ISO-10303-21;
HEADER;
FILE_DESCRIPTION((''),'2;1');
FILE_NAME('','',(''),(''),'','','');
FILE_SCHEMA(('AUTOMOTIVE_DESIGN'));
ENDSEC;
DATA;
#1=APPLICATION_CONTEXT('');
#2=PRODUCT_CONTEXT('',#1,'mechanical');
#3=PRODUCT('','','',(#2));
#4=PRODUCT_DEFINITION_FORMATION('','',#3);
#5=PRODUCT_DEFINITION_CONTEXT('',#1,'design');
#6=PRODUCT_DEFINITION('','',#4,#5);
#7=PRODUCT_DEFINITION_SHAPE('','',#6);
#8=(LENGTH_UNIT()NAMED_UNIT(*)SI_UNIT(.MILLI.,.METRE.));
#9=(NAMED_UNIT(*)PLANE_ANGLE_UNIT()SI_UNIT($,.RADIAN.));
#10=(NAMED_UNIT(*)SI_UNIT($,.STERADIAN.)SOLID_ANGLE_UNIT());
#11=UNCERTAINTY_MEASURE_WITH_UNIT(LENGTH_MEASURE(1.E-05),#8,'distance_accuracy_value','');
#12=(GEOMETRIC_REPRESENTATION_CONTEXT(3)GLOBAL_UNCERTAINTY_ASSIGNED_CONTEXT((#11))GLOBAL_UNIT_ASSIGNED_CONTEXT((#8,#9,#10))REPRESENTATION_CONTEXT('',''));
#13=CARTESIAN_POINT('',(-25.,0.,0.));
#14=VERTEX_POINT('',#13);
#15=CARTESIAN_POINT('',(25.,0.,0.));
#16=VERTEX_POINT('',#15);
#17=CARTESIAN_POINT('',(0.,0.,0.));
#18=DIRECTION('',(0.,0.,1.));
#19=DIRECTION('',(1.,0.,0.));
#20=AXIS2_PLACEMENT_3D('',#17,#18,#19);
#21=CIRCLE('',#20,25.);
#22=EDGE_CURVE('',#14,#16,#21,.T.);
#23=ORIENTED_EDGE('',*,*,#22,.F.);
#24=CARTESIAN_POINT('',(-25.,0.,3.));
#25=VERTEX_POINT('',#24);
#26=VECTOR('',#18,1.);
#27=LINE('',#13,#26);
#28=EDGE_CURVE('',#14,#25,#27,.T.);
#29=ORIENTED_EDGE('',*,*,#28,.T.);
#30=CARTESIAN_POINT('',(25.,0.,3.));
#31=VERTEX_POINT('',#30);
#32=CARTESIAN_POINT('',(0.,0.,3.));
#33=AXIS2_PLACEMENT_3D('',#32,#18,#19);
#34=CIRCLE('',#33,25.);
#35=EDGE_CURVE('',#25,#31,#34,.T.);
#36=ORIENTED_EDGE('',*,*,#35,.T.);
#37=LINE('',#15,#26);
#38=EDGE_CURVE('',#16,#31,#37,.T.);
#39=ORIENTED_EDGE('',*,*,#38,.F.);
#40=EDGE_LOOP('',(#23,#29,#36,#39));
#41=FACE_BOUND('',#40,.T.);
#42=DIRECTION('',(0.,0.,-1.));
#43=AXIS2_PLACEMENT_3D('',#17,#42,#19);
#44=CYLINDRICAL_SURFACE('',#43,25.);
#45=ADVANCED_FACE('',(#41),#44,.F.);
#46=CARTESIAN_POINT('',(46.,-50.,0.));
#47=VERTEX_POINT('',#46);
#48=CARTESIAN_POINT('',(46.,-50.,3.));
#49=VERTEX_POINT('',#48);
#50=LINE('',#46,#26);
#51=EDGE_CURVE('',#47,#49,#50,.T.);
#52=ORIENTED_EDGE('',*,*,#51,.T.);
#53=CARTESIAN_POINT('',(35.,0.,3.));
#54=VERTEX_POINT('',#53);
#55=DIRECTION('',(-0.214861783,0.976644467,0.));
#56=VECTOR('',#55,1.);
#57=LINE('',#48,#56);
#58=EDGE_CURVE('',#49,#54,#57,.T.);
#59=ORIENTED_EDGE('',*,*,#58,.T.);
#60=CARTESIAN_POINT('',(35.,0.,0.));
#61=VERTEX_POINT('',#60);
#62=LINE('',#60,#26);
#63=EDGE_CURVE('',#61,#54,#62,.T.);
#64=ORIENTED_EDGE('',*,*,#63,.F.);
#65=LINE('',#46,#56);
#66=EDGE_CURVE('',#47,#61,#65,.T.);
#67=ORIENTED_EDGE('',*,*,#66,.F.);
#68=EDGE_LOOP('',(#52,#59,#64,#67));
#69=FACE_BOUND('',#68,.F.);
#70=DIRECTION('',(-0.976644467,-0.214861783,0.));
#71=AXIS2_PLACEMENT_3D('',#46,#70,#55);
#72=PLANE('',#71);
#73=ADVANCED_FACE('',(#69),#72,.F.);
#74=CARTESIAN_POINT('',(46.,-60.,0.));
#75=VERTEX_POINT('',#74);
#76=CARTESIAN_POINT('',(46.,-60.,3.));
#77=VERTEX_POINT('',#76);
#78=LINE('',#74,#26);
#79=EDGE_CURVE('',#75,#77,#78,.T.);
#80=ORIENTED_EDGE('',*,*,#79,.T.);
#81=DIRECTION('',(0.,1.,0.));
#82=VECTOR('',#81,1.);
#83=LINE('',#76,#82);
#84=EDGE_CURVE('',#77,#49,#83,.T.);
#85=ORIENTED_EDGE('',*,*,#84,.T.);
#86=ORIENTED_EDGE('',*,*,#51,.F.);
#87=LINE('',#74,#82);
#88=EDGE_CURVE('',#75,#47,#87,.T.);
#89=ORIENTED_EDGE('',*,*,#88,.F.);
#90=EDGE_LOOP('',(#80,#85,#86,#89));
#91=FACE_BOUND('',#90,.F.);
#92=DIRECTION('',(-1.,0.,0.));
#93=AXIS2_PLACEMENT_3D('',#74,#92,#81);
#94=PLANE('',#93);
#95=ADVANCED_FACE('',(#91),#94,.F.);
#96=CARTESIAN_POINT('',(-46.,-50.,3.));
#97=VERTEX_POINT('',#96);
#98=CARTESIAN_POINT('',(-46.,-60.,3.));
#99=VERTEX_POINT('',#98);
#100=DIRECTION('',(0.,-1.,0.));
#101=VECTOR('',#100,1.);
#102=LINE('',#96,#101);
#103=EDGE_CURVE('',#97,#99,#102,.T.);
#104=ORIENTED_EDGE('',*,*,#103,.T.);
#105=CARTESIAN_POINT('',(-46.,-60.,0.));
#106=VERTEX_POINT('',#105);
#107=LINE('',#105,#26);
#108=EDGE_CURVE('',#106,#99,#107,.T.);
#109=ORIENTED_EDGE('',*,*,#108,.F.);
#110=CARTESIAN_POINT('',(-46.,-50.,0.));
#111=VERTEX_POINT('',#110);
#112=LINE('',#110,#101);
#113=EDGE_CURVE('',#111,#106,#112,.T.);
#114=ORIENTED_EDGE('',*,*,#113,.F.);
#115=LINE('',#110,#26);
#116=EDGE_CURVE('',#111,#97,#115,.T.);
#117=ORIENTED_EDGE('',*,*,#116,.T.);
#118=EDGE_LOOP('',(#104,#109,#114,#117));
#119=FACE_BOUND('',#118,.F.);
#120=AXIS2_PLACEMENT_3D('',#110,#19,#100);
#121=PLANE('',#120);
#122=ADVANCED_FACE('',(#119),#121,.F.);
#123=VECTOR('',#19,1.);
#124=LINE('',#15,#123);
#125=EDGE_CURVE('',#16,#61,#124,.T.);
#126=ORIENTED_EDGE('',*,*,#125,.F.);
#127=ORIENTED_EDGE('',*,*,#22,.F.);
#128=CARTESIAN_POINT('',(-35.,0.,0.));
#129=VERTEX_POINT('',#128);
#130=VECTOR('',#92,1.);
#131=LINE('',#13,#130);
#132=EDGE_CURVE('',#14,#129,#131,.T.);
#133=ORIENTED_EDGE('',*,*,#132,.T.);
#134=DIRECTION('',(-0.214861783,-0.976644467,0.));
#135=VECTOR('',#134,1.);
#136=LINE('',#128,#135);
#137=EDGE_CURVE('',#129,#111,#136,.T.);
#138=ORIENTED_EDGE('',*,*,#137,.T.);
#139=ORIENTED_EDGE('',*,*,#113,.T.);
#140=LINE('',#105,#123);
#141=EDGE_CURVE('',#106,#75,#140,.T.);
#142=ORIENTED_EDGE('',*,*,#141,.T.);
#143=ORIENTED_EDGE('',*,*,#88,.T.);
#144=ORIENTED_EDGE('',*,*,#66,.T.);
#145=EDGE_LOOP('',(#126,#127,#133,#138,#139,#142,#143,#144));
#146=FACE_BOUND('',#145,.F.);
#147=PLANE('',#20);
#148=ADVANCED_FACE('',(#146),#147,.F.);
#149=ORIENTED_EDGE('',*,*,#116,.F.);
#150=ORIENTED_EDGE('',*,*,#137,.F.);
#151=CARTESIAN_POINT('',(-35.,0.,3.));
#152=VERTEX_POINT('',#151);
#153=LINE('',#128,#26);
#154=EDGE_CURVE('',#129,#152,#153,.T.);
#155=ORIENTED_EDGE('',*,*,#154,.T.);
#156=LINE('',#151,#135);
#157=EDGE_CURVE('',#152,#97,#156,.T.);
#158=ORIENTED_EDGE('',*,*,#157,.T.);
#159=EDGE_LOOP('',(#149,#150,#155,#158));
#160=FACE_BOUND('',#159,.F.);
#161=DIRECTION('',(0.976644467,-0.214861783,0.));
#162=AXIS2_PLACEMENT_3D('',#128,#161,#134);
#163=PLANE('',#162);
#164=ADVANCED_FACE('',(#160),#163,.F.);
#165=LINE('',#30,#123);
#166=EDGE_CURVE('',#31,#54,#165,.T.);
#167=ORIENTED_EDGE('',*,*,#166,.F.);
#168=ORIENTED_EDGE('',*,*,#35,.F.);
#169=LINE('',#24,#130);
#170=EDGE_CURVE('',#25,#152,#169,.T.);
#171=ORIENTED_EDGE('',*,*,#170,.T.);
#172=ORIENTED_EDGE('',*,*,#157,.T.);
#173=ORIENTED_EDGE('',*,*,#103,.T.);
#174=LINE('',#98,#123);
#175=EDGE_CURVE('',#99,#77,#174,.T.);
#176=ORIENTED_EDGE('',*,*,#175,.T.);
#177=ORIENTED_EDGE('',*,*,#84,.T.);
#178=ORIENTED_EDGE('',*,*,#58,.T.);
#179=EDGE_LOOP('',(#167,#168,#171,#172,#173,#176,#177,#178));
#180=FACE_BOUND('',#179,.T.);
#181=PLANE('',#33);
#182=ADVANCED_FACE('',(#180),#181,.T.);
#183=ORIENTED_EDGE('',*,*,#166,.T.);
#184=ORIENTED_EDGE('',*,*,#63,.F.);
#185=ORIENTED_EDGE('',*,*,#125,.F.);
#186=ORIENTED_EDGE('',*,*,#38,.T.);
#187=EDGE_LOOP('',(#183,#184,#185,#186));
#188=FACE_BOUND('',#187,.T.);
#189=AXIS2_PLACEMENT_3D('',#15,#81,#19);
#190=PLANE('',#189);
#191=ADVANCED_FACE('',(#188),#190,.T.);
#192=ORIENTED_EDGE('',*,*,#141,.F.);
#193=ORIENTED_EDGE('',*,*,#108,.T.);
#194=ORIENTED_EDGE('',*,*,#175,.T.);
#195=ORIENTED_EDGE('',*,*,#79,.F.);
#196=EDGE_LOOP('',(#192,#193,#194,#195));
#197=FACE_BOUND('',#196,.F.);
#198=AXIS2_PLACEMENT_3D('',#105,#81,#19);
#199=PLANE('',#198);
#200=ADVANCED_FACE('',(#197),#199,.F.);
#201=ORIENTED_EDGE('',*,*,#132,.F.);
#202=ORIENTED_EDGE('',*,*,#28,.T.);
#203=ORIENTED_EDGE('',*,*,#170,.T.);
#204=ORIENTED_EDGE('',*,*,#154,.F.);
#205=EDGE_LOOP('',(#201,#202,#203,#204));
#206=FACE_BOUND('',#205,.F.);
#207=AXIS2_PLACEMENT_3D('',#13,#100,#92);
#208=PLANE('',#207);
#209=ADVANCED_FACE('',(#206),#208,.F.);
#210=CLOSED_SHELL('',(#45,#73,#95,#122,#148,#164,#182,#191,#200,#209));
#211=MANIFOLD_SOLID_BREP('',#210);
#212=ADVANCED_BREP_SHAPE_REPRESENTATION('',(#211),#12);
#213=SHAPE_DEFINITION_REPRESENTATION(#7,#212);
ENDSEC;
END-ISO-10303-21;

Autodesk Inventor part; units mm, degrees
ref_plane "YZ Plane" through (0, 0, 0) normal (1, 0, 0) x (0, 1, 0)
ref_plane "XZ Plane" through (0, 0, 0) normal (0, 1, 0) x (-1, 0, 0)
ref_plane "XY Plane" through (0, 0, 0) normal (0, 0, 1) x (1, 0, 0)
sketch "Sketch1" plane through (0, 0, 0) normal (0, 0, 1) x (1, 0, 0)
  circle A0 centre (0, 0) radius 25
  line L0 (-25, 0) -> (-35, 0)
  line L1 (25, 0) -> (35, 0)
  line L2 (-35, 0) -> (-46, -50)
  line L3 (-46, -50) -> (-46, -60)
  line L4 (-46, -60) -> (46, -60)
  line L5 (46, -60) -> (46, -50)
  line L6 (46, -50) -> (35, 0)
  point P0 (30, 0)
  point P1 (-30, 0)
  point P2 (0, -60)
  dimension "d0" = 50
  dimension "d1" = 10
  dimension "d2" = 10
  dimension "d3" = 60
  dimension "d4" = 92
extrude "Extrusion1" add sketch "Sketch1" along normal blind 3 contours L1 L6 L5 L4 L3 L2 L0 A0
equation "\"BendRadius\" = Thickness"
equation "\"BendReliefWidth\" = Thickness"
equation "\"BendReliefDepth\" = 0.5 * Thickness"
equation "\"CornerReliefSize\" = 4 * Thickness"
equation "\"MinimumRemnant\" = 2 * Thickness"
equation "\"TransitionRadius\" = BendRadius"
equation "\"JacobiRadiusSize\" = BendRadius"
equation "\"GapSize\" = Thickness"
equation "\"Thickness\" = 3"
